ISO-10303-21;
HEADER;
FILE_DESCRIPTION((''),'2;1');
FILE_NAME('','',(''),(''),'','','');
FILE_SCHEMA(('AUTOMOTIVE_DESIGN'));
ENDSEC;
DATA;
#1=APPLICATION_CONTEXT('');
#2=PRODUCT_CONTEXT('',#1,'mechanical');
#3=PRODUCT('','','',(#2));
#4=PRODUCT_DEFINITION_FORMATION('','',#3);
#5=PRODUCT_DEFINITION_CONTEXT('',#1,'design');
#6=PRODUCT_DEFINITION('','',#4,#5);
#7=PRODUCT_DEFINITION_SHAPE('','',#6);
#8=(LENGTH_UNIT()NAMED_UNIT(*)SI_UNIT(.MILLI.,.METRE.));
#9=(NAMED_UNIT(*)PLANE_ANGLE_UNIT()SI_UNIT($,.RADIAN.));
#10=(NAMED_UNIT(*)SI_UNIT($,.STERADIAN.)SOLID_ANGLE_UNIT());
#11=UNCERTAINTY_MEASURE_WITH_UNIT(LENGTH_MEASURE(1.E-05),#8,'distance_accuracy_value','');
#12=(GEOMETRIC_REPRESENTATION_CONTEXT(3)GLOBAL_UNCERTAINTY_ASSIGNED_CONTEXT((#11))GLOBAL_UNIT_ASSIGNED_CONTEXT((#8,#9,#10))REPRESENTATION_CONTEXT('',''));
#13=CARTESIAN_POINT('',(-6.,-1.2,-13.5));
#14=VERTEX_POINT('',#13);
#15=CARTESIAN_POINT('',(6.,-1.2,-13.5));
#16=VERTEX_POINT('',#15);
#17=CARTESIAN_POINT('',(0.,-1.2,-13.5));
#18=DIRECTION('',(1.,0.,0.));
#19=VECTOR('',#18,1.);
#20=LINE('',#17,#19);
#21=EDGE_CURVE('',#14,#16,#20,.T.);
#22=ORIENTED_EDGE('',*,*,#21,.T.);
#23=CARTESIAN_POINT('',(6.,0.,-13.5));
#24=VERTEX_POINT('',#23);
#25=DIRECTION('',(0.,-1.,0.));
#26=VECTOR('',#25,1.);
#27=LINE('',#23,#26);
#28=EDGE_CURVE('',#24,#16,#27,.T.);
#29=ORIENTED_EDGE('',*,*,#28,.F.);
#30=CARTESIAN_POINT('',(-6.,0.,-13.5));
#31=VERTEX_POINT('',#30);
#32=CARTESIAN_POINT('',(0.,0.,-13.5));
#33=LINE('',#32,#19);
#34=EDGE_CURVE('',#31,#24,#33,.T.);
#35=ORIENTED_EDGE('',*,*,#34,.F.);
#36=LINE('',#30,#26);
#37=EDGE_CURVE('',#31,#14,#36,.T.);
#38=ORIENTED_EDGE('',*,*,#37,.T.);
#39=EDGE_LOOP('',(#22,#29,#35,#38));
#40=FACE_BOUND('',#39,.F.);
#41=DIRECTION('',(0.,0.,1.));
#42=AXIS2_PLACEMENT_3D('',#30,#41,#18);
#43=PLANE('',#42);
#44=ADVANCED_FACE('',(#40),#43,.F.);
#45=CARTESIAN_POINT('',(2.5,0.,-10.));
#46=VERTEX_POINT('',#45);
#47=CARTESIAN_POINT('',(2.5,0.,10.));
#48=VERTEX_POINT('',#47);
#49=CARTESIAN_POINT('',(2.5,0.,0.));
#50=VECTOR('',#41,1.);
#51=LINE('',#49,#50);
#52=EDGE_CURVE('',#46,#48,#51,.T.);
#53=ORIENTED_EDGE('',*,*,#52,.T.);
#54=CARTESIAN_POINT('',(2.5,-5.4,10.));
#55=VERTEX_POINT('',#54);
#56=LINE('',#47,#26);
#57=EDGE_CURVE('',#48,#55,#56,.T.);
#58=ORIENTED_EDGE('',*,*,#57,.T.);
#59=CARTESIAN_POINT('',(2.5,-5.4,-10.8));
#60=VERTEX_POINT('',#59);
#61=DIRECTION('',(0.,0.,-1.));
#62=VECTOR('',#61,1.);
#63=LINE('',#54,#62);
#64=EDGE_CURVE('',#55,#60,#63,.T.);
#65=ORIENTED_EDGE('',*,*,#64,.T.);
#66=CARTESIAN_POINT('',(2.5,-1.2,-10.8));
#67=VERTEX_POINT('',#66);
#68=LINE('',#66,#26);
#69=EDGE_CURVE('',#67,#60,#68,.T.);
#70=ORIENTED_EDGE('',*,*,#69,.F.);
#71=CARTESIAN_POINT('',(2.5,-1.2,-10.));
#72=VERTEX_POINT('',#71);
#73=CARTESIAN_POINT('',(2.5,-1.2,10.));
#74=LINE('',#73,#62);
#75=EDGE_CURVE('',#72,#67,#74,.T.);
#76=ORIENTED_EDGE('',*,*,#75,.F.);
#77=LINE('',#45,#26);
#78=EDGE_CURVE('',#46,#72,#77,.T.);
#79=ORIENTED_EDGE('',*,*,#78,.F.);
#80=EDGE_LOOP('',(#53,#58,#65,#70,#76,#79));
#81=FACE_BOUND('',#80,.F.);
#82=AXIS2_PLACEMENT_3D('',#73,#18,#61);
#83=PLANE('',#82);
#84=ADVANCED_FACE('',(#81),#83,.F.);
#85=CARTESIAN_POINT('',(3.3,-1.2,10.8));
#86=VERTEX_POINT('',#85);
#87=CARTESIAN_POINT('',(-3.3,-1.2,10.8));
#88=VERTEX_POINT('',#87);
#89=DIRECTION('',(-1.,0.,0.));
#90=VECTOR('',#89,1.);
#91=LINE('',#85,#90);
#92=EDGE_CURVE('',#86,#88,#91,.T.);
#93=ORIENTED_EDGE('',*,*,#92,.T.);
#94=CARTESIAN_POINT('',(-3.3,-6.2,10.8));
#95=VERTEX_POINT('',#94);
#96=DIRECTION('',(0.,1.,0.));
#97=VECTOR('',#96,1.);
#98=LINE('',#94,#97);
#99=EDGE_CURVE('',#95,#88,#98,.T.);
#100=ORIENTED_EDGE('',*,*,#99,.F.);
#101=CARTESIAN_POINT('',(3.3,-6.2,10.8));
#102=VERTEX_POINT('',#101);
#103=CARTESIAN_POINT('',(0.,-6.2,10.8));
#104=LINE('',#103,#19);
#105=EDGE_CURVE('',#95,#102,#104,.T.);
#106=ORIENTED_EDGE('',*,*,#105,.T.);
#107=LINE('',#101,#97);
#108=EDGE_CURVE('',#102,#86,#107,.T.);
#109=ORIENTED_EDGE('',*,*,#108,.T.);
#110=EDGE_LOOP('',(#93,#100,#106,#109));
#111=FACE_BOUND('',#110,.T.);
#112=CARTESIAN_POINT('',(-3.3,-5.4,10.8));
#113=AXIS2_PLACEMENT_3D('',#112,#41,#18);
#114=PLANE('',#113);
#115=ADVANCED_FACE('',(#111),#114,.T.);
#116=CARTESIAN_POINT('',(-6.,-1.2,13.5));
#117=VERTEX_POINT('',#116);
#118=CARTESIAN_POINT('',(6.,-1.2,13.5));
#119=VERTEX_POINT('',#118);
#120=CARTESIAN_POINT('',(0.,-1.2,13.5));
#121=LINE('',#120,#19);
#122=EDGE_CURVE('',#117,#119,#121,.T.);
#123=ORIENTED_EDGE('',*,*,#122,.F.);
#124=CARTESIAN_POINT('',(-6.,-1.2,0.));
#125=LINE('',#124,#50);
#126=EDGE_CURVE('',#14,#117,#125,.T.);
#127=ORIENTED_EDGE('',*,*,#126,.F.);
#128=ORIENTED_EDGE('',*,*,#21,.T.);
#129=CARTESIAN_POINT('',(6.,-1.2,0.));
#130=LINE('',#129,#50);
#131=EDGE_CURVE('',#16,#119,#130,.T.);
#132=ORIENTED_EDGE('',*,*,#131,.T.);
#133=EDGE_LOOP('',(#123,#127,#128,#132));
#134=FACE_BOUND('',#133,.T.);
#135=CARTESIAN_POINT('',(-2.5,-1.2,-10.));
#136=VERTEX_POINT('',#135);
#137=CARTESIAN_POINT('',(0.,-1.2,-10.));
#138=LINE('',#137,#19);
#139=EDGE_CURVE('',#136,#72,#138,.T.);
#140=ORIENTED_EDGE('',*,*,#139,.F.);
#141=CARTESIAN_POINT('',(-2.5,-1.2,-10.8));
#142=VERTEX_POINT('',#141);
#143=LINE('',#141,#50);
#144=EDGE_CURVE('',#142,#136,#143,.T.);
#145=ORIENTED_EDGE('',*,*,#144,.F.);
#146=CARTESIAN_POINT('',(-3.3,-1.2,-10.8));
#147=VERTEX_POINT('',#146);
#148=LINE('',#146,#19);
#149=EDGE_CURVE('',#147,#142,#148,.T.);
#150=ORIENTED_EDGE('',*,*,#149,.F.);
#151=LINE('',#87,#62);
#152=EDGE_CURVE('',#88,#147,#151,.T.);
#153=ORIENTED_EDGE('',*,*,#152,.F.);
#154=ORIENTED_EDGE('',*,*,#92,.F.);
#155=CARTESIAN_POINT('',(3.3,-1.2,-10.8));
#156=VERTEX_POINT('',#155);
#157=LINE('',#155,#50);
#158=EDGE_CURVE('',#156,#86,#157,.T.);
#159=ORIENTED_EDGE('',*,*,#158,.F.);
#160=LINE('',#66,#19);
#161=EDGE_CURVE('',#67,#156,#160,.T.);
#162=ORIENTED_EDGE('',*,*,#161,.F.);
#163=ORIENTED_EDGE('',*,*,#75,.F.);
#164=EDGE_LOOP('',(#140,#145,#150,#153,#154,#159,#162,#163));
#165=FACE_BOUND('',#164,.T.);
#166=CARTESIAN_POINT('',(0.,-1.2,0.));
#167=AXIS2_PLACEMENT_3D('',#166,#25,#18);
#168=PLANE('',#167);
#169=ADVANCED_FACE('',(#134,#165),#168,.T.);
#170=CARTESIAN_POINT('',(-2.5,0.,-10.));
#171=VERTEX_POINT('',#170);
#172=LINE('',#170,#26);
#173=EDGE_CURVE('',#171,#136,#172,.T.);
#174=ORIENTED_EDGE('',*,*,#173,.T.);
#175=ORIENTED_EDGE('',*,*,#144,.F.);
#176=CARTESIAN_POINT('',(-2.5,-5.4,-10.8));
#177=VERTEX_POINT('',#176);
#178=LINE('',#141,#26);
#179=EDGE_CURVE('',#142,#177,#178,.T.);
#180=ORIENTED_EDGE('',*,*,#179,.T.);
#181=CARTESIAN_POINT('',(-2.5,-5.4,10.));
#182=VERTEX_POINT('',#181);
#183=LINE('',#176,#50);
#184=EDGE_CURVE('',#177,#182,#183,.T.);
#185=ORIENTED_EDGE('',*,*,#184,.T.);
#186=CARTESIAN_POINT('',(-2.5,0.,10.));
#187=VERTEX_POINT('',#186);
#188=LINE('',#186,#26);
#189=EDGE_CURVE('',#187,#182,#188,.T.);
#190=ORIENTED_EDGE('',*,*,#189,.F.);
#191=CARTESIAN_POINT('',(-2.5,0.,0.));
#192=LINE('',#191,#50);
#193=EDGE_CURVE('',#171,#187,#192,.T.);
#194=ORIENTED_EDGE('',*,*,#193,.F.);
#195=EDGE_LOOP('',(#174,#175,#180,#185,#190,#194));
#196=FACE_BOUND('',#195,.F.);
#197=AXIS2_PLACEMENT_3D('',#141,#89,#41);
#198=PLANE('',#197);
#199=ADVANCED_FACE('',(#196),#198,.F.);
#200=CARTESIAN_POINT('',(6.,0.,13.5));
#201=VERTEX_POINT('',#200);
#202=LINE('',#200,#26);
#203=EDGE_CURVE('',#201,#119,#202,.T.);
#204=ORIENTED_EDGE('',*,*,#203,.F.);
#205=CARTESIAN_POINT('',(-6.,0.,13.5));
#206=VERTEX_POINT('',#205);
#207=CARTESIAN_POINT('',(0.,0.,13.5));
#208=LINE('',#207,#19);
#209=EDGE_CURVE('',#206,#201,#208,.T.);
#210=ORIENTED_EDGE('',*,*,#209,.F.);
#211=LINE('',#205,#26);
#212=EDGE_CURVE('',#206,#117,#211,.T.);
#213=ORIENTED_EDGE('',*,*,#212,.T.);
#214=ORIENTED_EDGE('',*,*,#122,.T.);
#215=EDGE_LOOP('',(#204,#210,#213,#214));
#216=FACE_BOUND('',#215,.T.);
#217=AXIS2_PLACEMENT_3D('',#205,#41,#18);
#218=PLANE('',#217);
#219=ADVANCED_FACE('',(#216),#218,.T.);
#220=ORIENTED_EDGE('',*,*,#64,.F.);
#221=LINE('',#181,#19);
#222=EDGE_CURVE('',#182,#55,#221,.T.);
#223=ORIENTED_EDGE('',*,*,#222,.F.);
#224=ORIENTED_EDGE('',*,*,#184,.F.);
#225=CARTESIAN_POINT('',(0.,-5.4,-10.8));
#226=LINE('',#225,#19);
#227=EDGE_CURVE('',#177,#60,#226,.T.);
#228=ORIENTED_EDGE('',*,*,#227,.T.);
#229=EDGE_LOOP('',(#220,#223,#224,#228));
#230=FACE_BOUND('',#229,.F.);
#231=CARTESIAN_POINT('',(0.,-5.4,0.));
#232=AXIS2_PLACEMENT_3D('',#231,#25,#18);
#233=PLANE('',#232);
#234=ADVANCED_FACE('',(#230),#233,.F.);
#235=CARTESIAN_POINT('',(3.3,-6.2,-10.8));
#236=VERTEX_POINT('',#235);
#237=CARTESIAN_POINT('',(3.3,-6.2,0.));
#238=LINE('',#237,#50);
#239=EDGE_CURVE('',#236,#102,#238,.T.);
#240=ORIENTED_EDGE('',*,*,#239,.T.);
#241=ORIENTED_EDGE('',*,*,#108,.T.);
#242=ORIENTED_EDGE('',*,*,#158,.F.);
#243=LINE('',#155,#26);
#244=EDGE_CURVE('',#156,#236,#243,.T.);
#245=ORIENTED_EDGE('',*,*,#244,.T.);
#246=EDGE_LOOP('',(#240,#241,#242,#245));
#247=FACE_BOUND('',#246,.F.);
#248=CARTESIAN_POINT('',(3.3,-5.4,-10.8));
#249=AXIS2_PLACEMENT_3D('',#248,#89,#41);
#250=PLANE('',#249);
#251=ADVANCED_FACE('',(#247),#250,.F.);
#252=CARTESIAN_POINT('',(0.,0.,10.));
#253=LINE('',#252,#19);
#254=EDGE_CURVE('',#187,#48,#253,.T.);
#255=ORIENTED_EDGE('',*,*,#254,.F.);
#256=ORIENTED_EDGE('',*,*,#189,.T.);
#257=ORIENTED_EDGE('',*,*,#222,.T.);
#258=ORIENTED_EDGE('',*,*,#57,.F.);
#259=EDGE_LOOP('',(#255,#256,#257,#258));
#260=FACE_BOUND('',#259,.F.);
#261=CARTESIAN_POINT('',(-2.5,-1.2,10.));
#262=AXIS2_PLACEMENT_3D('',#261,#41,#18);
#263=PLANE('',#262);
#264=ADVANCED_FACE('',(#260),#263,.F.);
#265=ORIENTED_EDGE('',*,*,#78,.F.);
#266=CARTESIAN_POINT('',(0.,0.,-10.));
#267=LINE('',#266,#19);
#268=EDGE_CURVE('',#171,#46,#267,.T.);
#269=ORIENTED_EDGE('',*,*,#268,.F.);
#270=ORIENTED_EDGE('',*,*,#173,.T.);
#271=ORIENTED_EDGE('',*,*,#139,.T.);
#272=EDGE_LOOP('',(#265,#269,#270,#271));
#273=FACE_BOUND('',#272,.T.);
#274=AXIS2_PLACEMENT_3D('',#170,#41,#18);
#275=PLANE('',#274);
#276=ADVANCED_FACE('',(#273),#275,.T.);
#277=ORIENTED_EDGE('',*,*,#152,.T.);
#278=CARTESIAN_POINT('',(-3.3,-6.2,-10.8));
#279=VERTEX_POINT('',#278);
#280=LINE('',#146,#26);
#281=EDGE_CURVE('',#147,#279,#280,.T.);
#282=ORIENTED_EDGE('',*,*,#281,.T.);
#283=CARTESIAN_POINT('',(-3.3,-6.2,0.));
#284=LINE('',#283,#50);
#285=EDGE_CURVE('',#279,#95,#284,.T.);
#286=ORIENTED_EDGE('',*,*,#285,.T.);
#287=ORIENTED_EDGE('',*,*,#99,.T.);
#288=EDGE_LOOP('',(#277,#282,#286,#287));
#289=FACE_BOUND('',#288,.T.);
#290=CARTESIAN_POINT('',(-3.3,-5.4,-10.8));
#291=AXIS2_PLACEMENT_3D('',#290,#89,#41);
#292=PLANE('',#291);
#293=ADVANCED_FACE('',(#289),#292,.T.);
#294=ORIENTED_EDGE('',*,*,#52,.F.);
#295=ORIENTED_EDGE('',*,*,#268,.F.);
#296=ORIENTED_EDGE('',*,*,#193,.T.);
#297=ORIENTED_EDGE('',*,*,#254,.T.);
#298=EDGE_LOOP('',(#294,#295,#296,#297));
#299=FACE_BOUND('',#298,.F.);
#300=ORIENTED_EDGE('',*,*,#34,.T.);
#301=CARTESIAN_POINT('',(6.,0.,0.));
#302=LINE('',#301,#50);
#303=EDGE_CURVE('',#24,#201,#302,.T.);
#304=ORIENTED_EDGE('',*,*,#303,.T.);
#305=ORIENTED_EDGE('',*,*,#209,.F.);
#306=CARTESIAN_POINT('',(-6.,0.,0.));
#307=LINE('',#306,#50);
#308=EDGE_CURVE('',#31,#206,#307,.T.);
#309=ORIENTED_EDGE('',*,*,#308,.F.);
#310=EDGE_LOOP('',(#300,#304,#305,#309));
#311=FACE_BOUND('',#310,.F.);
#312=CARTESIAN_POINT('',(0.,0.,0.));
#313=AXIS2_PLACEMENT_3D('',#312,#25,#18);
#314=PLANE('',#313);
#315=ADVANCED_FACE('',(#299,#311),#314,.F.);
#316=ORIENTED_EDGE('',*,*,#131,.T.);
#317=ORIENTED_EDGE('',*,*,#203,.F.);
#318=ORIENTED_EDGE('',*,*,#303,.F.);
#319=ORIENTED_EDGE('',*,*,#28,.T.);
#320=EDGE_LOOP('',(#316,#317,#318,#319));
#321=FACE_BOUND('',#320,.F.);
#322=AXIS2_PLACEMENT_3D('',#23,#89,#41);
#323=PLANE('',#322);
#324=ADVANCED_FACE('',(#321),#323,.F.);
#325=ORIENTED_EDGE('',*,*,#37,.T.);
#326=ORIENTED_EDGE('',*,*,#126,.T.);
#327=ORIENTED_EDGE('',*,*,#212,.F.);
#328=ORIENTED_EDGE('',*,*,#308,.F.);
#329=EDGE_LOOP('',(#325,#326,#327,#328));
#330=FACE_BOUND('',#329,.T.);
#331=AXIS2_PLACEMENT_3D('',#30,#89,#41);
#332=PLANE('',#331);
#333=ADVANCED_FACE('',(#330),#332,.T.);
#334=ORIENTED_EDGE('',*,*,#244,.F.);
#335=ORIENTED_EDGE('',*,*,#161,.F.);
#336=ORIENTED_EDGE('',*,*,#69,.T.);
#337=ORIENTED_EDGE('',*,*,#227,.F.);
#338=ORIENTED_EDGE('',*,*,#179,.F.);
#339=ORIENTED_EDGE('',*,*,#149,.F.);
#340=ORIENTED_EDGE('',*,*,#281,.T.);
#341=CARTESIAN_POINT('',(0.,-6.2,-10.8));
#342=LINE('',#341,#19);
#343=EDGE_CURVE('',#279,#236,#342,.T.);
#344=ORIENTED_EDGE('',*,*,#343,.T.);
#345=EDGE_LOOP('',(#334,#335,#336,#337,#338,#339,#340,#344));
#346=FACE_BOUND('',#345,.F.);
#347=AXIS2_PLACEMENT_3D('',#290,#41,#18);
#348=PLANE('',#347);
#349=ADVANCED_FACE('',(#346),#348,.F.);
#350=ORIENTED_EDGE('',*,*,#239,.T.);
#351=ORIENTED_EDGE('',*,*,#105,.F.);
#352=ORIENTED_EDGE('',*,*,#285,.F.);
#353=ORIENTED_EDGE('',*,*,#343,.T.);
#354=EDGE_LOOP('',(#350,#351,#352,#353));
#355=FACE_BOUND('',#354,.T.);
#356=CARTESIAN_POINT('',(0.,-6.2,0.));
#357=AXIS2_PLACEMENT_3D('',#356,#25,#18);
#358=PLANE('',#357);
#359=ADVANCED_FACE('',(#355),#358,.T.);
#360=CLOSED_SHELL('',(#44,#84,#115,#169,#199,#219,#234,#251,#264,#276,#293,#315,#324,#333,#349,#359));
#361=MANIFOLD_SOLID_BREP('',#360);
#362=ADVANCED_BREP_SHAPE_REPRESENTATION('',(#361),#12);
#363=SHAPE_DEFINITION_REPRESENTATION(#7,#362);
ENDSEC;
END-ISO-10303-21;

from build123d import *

# Parameters (mm, degrees)
F0_W     = 12
F0_H     = 27
F0_W_2   = 5
F0_H_2   = 20
F1_DEPTH = 1.2
F3_DEPTH = 4.2
F4_W     = 6.6
F4_H     = 21.6
F5_DEPTH = 0.8


with BuildPart() as f1:
    # F0 (on Front) → F1 (new body)
    with BuildSketch(Plane.XZ):
        Rectangle(F0_W, F0_H)
        Rectangle(F0_W_2, F0_H_2, mode=Mode.SUBTRACT)
    extrude(amount=F1_DEPTH)

    # F2 (on face) → F3 (join)
    with BuildSketch(Plane.XZ.offset(1.2)):
        Polygon((-2.5, -10.8), (-2.5, 10), (2.5, 10), (2.5, -10), (2.5, -10.8), (3.3, -10.8), (3.3, 10.8), (-3.3, 10.8), (-3.3, -10.8), align=None)
    extrude(amount=F3_DEPTH)

    # F4 (on face) → F5 (join)
    with BuildSketch(Plane.XZ.offset(5.4)):
        Rectangle(F4_W, F4_H)
    extrude(amount=F5_DEPTH)


solid = f1.part
